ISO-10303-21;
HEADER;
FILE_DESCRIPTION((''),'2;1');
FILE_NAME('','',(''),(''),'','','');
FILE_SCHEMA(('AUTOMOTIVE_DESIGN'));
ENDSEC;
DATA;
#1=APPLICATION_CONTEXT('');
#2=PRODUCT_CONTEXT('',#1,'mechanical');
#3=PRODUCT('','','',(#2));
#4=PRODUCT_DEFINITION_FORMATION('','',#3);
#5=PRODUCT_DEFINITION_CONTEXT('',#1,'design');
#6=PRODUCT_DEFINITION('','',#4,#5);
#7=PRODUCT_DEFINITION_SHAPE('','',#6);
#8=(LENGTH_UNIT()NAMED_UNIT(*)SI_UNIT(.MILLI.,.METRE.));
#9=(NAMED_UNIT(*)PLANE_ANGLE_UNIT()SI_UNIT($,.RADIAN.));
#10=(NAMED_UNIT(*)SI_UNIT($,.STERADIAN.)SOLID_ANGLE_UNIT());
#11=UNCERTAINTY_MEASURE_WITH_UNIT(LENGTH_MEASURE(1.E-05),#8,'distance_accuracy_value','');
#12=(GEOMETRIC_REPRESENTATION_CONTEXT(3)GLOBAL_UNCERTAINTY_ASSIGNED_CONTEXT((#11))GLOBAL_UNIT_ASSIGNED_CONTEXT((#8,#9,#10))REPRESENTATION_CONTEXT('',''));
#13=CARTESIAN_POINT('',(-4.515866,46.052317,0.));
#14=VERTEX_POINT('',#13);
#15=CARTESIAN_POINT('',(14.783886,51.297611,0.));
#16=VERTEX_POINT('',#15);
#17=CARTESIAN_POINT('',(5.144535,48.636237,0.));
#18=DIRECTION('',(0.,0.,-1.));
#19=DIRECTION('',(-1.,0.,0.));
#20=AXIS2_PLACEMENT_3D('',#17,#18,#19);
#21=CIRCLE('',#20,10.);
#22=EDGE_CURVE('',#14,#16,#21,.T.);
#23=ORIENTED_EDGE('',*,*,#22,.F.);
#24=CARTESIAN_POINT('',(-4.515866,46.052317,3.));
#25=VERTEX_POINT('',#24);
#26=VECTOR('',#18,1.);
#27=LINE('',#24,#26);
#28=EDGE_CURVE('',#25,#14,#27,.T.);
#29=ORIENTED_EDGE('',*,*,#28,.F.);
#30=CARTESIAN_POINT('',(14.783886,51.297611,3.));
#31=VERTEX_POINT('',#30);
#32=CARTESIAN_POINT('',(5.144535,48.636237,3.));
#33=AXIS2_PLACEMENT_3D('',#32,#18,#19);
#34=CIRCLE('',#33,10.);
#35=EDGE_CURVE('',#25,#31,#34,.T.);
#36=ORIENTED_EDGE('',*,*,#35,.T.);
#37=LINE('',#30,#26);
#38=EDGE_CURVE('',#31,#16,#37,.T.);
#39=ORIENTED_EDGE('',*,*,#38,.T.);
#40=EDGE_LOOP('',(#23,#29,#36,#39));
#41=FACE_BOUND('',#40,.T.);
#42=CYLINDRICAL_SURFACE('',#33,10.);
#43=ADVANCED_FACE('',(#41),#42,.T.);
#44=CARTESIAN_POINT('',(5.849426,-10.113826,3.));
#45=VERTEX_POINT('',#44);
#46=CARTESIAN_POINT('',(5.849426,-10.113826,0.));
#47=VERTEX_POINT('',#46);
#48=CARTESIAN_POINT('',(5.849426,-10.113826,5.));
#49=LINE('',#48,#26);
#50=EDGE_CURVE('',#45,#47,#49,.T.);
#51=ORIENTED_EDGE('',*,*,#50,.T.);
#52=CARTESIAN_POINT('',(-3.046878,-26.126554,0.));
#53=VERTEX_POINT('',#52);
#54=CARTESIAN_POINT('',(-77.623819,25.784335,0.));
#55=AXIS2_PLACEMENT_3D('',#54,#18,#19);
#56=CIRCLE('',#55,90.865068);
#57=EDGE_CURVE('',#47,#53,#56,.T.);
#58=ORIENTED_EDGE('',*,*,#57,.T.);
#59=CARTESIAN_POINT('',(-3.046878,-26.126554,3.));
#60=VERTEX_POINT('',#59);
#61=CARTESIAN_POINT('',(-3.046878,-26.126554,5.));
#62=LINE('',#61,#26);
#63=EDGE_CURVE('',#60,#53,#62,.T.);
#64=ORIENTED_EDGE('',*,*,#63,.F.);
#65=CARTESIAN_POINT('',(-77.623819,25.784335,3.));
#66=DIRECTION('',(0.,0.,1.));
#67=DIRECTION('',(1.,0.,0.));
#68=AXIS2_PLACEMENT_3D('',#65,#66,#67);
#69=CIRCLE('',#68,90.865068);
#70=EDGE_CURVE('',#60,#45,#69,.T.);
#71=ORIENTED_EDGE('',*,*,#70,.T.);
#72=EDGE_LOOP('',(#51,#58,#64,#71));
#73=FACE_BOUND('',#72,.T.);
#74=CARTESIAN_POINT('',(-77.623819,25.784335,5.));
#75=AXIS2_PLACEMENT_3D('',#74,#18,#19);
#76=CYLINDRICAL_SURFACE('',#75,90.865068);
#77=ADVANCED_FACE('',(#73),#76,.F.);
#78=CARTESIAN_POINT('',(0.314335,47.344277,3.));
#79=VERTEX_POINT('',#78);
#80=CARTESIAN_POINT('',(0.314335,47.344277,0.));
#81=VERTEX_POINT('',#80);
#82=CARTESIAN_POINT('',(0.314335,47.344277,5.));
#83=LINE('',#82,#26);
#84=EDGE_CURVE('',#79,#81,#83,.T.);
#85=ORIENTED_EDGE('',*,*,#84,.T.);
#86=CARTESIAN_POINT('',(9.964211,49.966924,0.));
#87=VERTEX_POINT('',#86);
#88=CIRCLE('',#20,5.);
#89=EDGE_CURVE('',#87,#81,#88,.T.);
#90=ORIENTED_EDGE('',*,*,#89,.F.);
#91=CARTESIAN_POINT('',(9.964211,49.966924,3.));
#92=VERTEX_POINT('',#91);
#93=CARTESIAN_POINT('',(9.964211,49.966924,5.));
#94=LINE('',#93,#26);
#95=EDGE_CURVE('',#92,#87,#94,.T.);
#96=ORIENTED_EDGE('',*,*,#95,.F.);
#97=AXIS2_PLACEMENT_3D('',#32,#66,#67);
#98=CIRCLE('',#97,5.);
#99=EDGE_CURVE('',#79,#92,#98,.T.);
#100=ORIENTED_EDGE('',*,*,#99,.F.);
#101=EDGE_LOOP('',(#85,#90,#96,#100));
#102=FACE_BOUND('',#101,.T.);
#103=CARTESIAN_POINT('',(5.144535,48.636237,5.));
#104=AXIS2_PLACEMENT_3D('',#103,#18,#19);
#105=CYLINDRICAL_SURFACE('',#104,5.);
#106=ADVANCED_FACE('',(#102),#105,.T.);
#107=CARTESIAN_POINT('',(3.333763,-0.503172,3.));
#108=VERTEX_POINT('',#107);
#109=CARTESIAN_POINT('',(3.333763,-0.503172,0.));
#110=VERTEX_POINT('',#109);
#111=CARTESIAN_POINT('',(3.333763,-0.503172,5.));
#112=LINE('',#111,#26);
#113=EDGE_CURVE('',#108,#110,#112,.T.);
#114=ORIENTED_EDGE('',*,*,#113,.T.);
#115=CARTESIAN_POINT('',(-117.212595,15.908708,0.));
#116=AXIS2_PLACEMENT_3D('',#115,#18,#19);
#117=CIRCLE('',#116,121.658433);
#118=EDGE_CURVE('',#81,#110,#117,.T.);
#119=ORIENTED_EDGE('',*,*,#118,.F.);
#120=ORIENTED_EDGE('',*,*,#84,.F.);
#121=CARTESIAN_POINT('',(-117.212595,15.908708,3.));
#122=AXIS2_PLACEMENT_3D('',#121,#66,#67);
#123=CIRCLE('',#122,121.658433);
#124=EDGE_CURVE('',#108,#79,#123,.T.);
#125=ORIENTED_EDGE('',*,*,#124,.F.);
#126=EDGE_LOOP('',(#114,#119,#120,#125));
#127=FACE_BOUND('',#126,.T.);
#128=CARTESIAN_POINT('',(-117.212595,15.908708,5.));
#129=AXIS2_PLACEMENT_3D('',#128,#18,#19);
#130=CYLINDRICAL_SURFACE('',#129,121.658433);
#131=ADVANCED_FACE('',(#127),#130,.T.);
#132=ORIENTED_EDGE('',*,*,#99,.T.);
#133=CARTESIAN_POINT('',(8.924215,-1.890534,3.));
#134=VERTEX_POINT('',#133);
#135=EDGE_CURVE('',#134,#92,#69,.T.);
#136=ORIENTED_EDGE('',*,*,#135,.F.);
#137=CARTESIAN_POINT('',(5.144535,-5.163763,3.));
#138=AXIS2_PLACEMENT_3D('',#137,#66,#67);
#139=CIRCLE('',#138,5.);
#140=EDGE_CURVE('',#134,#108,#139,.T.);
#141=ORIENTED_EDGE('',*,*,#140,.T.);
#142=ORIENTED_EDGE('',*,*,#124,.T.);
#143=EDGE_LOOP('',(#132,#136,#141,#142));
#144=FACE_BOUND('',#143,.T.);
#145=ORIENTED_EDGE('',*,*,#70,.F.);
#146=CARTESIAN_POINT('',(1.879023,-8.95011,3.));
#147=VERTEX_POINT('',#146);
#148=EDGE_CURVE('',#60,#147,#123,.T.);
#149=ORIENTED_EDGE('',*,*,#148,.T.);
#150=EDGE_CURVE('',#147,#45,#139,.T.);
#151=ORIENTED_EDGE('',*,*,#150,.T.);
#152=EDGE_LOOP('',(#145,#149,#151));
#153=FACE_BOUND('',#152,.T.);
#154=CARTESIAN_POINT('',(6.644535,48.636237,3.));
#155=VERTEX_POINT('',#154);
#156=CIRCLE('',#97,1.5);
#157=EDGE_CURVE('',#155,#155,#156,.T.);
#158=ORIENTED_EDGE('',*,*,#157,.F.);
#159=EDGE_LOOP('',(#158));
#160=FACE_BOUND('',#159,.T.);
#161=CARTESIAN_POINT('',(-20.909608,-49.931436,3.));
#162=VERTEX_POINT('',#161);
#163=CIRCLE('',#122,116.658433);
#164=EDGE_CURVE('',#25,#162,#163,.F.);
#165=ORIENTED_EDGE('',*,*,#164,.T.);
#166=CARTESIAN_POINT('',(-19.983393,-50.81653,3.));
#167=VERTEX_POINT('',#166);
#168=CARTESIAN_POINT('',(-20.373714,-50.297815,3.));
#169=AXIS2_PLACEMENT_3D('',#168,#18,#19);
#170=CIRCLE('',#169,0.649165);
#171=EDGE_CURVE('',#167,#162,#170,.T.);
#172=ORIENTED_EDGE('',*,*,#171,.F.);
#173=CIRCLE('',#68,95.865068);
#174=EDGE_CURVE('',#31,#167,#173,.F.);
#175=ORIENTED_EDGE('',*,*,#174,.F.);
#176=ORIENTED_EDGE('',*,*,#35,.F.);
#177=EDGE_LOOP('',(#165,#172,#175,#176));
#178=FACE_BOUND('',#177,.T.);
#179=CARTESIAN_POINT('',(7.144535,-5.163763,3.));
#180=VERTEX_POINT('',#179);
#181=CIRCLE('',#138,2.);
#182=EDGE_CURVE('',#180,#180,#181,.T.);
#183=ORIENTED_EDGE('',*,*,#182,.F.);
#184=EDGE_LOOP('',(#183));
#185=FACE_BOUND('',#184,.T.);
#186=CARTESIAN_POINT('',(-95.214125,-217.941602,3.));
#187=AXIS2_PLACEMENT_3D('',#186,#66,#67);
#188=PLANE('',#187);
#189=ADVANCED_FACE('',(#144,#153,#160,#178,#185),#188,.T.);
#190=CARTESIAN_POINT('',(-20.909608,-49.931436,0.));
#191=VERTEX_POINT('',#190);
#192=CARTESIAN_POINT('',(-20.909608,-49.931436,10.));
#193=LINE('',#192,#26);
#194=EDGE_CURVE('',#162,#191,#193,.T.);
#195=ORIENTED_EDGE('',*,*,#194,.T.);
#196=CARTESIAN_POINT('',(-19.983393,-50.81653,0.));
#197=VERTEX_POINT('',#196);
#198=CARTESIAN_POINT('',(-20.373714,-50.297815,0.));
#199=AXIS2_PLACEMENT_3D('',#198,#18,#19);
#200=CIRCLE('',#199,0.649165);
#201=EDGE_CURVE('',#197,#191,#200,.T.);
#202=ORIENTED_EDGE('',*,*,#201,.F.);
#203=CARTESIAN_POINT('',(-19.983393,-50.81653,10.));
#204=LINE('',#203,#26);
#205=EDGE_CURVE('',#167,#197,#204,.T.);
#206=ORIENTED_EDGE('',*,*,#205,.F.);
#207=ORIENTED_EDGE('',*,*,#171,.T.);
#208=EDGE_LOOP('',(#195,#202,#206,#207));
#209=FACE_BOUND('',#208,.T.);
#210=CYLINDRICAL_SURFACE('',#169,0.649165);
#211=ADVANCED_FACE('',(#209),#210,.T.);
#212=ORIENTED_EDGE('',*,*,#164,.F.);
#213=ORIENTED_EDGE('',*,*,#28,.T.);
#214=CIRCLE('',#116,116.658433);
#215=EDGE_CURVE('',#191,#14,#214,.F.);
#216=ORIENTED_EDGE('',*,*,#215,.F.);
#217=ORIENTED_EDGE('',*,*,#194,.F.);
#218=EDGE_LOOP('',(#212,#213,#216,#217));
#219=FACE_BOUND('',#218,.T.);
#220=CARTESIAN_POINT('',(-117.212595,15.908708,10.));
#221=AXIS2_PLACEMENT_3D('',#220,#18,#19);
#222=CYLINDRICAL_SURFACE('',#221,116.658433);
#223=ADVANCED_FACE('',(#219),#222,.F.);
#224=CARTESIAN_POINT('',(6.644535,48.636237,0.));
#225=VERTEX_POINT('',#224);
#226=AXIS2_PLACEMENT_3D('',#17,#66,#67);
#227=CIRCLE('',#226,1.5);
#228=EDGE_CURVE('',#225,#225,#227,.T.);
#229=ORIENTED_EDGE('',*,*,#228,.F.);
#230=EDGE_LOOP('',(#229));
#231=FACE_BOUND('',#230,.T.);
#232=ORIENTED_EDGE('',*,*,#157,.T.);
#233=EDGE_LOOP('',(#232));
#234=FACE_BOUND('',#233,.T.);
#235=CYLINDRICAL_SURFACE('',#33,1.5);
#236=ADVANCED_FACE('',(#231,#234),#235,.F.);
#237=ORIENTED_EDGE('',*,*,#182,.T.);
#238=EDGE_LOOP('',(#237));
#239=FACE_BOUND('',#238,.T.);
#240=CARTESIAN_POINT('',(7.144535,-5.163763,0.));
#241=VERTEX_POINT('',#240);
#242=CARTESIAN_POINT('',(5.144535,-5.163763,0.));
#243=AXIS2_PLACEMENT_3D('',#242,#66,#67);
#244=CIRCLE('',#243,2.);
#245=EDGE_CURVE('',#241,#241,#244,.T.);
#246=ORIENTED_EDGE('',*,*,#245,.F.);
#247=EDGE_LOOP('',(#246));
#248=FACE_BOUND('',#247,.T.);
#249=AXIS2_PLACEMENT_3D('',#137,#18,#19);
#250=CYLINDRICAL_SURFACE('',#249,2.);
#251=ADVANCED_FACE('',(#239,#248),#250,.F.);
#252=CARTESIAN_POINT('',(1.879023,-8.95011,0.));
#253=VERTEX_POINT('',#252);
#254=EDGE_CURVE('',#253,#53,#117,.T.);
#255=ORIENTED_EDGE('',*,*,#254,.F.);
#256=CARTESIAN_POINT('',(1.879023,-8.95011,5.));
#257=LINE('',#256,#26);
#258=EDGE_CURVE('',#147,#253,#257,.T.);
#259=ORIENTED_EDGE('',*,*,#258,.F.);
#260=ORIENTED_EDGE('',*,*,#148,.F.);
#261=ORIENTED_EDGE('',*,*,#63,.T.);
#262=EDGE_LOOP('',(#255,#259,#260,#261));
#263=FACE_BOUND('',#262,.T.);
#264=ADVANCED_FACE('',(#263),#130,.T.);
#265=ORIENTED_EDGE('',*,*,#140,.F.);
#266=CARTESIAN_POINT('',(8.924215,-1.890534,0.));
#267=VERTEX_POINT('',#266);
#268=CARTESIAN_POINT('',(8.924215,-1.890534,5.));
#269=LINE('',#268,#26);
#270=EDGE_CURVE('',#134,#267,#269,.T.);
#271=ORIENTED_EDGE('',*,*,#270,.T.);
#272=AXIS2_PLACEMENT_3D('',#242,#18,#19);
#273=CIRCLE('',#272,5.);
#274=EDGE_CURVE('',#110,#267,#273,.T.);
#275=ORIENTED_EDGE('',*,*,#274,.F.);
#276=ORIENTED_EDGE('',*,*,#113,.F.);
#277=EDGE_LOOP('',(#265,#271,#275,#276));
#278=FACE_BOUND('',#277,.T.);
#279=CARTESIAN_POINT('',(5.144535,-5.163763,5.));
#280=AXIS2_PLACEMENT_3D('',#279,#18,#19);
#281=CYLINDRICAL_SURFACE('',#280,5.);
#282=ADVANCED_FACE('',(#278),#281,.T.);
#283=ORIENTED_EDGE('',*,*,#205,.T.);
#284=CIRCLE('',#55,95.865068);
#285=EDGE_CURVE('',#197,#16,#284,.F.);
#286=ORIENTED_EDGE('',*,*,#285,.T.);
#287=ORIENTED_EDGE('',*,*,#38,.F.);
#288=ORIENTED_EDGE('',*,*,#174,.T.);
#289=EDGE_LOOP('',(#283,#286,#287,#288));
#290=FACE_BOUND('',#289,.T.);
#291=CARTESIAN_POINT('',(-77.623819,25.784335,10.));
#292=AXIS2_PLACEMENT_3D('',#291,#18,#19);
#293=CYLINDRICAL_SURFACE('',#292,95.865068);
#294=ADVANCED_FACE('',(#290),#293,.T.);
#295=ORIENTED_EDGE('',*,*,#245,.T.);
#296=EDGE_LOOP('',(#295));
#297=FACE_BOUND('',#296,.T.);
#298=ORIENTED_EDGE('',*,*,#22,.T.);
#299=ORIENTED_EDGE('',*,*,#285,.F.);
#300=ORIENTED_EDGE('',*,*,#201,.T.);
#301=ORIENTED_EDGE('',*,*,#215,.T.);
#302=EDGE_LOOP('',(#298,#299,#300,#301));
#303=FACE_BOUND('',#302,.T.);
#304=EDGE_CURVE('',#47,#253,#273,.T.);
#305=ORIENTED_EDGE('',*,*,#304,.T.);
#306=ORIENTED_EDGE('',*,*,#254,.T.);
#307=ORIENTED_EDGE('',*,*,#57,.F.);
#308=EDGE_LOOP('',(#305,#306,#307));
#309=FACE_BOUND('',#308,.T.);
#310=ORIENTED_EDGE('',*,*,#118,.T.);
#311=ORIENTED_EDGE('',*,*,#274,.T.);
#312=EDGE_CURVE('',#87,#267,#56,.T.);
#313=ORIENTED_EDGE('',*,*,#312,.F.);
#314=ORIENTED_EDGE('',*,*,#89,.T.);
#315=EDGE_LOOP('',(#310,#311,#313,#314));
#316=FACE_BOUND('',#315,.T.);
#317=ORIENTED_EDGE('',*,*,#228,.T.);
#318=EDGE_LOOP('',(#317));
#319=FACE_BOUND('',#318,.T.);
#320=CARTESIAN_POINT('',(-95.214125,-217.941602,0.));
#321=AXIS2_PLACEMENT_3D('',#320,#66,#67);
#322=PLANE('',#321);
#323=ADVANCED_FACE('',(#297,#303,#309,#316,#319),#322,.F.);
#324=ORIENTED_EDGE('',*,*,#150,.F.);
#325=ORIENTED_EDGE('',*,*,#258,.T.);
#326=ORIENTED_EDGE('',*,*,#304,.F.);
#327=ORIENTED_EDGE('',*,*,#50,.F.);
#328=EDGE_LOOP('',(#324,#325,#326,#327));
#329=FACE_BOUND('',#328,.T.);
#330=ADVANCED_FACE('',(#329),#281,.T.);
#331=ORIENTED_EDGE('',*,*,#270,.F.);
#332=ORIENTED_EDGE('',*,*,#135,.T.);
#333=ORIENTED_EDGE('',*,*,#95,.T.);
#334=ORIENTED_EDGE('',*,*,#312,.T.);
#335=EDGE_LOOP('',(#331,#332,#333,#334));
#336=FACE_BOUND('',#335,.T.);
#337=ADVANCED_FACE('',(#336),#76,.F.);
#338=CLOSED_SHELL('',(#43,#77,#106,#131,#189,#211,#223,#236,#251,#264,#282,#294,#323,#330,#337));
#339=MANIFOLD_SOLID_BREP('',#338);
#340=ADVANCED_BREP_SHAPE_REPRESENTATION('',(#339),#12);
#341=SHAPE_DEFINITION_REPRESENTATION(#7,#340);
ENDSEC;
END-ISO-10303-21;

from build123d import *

# Parameters (mm, degrees)
SKETCH1_R           = 1.5
SKETCH1_R_2         = 2
EXTRUDE1_DEPTH      = 3
CUT_EXTRUDE1_DEPTH  = 10
BOSS_EXTRUDE1_DEPTH = 3
CUT_EXTRUDE2_DEPTH  = 5


with BuildPart() as part:
    # Sketch1 → Extrude1 (new body)
    with BuildSketch(Plane.XY):
        with BuildLine():
            ThreePointArc((-26.085308936, -49.243272897), (-24.983078735, -55.562467556), (-18.568566007, -55.596511855))
            ThreePointArc((-18.568566007, -55.596511855), (9.955092257, -6.447651038), (9.831223687, 50.378348795))
            ThreePointArc((9.831223687, 50.378348795), (4.259504767, 53.557286163), (0.144535316, 48.6362374))
            ThreePointArc((0.144535316, 48.6362374), (0.489229737, -3.910438591), (-26.085308936, -49.243272897))
        make_face()
        with BuildLine():
            ThreePointArc((4.144339435, -6.895700301), (3.212712938, -4.646015269), (5.144535316, -3.1637626))
            ThreePointArc((5.144535316, -3.1637626), (7.076357694, -5.681509932), (4.144339435, -6.895700301))
        make_face(mode=Mode.SUBTRACT)
        with Locations((5.144535316, 48.6362374)):
            Circle(SKETCH1_R, mode=Mode.SUBTRACT)
        with Locations((-21.755464684, -51.7437626)):
            Circle(SKETCH1_R_2, mode=Mode.SUBTRACT)
    extrude(amount=EXTRUDE1_DEPTH)

    # Sketch3 → Cut-Extrude1 (cut)
    with BuildSketch(Plane(origin=(0, 0, 0), x_dir=(-1, 0, 0), z_dir=(0, 0, -1))):
        with BuildLine():
            ThreePointArc((26.085308936, -49.243272897), (16.272417408, -38.139391171), (8.225333931, -25.696181093))
            ThreePointArc((8.225333931, -25.696181093), (13.854681069, -38.186869472), (20.909608136, -49.931436277))
            ThreePointArc((20.909608136, -49.931436277), (22.829775371, -50.05679593), (23.755464684, -51.7437626))
            ThreePointArc((23.755464684, -51.7437626), (21.27804664, -53.685944881), (19.983392673, -50.816529735))
            ThreePointArc((19.983392673, -50.816529735), (8.408185994, -40.542939738), (-1.362976888, -28.540588427))
            ThreePointArc((-1.362976888, -28.540588427), (7.552683596, -42.842145312), (18.568566007, -55.596511855))
            ThreePointArc((18.568566007, -55.596511855), (24.983078735, -55.562467556), (26.085308936, -49.243272897))
        make_face()
    extrude(amount=-CUT_EXTRUDE1_DEPTH, mode=Mode.SUBTRACT)

    # Sketch3<3> → Boss-Extrude1 (add)
    with BuildSketch(Plane(origin=(0, 0, 0), x_dir=(-1, 0, 0), z_dir=(0, 0, -1))):
        with BuildLine():
            ThreePointArc((8.225333931, -25.696181093), (0.709764151, 9.885397236), (4.515866122, 46.052317111))
            ThreePointArc((4.515866122, 46.052317111), (-2.521867284, 58.28619141), (-14.783886482, 51.297610936))
            ThreePointArc((-14.783886482, 51.297610936), (-16.914814846, 9.892262753), (-1.362976888, -28.540588427))
            ThreePointArc((-1.362976888, -28.540588427), (-13.044605865, 10.119739731), (-9.831223687, 50.378348795))
            ThreePointArc((-9.831223687, 50.378348795), (-4.259504767, 53.557286163), (-0.144535316, 48.6362374))
            ThreePointArc((-0.144535316, 48.6362374), (-3.243862831, 10.649816422), (8.225333931, -25.696181093))
        make_face()
        with BuildLine():
            ThreePointArc((19.983392673, -50.816529735), (20.822206397, -50.767144538), (20.909608136, -49.931436277))
            ThreePointArc((20.909608136, -49.931436277), (20.37371395, -50.297814846), (19.983392673, -50.816529735))
        make_face()
    extrude(amount=-BOSS_EXTRUDE1_DEPTH)

    # Sketch4 → Cut-Extrude2 (cut)
    with BuildSketch(Plane(origin=(0, 0, 0), x_dir=(-1, 0, 0), z_dir=(0, 0, -1))):
        with BuildLine():
            ThreePointArc((-1.879022525, -8.950109944), (-3.738208311, -9.961912697), (-5.849425706, -10.11382619))
            ThreePointArc((-5.849425706, -10.11382619), (-1.805817512, -18.34494551), (3.046878131, -26.126554438))
            ThreePointArc((3.046878131, -26.126554438), (0.268148473, -17.628892121), (-1.879022525, -8.950109944))
        make_face()
        with BuildLine():
            ThreePointArc((-9.964210899, 49.966924168), (-13.222981584, 23.962412042), (-8.924214856, -1.890534442))
            ThreePointArc((-8.924214856, -1.890534442), (-6.34883687, -0.310963638), (-3.333762814, -0.503172193))
            ThreePointArc((-3.333762814, -0.503172193), (-4.204319589, 23.570760268), (-0.314334597, 47.344277255))
            ThreePointArc((-0.314334597, 47.344277255), (-6.455869332, 43.811260395), (-9.964210899, 49.966924168))
        make_face()
    extrude(amount=-CUT_EXTRUDE2_DEPTH, mode=Mode.SUBTRACT)


solid = part.part
